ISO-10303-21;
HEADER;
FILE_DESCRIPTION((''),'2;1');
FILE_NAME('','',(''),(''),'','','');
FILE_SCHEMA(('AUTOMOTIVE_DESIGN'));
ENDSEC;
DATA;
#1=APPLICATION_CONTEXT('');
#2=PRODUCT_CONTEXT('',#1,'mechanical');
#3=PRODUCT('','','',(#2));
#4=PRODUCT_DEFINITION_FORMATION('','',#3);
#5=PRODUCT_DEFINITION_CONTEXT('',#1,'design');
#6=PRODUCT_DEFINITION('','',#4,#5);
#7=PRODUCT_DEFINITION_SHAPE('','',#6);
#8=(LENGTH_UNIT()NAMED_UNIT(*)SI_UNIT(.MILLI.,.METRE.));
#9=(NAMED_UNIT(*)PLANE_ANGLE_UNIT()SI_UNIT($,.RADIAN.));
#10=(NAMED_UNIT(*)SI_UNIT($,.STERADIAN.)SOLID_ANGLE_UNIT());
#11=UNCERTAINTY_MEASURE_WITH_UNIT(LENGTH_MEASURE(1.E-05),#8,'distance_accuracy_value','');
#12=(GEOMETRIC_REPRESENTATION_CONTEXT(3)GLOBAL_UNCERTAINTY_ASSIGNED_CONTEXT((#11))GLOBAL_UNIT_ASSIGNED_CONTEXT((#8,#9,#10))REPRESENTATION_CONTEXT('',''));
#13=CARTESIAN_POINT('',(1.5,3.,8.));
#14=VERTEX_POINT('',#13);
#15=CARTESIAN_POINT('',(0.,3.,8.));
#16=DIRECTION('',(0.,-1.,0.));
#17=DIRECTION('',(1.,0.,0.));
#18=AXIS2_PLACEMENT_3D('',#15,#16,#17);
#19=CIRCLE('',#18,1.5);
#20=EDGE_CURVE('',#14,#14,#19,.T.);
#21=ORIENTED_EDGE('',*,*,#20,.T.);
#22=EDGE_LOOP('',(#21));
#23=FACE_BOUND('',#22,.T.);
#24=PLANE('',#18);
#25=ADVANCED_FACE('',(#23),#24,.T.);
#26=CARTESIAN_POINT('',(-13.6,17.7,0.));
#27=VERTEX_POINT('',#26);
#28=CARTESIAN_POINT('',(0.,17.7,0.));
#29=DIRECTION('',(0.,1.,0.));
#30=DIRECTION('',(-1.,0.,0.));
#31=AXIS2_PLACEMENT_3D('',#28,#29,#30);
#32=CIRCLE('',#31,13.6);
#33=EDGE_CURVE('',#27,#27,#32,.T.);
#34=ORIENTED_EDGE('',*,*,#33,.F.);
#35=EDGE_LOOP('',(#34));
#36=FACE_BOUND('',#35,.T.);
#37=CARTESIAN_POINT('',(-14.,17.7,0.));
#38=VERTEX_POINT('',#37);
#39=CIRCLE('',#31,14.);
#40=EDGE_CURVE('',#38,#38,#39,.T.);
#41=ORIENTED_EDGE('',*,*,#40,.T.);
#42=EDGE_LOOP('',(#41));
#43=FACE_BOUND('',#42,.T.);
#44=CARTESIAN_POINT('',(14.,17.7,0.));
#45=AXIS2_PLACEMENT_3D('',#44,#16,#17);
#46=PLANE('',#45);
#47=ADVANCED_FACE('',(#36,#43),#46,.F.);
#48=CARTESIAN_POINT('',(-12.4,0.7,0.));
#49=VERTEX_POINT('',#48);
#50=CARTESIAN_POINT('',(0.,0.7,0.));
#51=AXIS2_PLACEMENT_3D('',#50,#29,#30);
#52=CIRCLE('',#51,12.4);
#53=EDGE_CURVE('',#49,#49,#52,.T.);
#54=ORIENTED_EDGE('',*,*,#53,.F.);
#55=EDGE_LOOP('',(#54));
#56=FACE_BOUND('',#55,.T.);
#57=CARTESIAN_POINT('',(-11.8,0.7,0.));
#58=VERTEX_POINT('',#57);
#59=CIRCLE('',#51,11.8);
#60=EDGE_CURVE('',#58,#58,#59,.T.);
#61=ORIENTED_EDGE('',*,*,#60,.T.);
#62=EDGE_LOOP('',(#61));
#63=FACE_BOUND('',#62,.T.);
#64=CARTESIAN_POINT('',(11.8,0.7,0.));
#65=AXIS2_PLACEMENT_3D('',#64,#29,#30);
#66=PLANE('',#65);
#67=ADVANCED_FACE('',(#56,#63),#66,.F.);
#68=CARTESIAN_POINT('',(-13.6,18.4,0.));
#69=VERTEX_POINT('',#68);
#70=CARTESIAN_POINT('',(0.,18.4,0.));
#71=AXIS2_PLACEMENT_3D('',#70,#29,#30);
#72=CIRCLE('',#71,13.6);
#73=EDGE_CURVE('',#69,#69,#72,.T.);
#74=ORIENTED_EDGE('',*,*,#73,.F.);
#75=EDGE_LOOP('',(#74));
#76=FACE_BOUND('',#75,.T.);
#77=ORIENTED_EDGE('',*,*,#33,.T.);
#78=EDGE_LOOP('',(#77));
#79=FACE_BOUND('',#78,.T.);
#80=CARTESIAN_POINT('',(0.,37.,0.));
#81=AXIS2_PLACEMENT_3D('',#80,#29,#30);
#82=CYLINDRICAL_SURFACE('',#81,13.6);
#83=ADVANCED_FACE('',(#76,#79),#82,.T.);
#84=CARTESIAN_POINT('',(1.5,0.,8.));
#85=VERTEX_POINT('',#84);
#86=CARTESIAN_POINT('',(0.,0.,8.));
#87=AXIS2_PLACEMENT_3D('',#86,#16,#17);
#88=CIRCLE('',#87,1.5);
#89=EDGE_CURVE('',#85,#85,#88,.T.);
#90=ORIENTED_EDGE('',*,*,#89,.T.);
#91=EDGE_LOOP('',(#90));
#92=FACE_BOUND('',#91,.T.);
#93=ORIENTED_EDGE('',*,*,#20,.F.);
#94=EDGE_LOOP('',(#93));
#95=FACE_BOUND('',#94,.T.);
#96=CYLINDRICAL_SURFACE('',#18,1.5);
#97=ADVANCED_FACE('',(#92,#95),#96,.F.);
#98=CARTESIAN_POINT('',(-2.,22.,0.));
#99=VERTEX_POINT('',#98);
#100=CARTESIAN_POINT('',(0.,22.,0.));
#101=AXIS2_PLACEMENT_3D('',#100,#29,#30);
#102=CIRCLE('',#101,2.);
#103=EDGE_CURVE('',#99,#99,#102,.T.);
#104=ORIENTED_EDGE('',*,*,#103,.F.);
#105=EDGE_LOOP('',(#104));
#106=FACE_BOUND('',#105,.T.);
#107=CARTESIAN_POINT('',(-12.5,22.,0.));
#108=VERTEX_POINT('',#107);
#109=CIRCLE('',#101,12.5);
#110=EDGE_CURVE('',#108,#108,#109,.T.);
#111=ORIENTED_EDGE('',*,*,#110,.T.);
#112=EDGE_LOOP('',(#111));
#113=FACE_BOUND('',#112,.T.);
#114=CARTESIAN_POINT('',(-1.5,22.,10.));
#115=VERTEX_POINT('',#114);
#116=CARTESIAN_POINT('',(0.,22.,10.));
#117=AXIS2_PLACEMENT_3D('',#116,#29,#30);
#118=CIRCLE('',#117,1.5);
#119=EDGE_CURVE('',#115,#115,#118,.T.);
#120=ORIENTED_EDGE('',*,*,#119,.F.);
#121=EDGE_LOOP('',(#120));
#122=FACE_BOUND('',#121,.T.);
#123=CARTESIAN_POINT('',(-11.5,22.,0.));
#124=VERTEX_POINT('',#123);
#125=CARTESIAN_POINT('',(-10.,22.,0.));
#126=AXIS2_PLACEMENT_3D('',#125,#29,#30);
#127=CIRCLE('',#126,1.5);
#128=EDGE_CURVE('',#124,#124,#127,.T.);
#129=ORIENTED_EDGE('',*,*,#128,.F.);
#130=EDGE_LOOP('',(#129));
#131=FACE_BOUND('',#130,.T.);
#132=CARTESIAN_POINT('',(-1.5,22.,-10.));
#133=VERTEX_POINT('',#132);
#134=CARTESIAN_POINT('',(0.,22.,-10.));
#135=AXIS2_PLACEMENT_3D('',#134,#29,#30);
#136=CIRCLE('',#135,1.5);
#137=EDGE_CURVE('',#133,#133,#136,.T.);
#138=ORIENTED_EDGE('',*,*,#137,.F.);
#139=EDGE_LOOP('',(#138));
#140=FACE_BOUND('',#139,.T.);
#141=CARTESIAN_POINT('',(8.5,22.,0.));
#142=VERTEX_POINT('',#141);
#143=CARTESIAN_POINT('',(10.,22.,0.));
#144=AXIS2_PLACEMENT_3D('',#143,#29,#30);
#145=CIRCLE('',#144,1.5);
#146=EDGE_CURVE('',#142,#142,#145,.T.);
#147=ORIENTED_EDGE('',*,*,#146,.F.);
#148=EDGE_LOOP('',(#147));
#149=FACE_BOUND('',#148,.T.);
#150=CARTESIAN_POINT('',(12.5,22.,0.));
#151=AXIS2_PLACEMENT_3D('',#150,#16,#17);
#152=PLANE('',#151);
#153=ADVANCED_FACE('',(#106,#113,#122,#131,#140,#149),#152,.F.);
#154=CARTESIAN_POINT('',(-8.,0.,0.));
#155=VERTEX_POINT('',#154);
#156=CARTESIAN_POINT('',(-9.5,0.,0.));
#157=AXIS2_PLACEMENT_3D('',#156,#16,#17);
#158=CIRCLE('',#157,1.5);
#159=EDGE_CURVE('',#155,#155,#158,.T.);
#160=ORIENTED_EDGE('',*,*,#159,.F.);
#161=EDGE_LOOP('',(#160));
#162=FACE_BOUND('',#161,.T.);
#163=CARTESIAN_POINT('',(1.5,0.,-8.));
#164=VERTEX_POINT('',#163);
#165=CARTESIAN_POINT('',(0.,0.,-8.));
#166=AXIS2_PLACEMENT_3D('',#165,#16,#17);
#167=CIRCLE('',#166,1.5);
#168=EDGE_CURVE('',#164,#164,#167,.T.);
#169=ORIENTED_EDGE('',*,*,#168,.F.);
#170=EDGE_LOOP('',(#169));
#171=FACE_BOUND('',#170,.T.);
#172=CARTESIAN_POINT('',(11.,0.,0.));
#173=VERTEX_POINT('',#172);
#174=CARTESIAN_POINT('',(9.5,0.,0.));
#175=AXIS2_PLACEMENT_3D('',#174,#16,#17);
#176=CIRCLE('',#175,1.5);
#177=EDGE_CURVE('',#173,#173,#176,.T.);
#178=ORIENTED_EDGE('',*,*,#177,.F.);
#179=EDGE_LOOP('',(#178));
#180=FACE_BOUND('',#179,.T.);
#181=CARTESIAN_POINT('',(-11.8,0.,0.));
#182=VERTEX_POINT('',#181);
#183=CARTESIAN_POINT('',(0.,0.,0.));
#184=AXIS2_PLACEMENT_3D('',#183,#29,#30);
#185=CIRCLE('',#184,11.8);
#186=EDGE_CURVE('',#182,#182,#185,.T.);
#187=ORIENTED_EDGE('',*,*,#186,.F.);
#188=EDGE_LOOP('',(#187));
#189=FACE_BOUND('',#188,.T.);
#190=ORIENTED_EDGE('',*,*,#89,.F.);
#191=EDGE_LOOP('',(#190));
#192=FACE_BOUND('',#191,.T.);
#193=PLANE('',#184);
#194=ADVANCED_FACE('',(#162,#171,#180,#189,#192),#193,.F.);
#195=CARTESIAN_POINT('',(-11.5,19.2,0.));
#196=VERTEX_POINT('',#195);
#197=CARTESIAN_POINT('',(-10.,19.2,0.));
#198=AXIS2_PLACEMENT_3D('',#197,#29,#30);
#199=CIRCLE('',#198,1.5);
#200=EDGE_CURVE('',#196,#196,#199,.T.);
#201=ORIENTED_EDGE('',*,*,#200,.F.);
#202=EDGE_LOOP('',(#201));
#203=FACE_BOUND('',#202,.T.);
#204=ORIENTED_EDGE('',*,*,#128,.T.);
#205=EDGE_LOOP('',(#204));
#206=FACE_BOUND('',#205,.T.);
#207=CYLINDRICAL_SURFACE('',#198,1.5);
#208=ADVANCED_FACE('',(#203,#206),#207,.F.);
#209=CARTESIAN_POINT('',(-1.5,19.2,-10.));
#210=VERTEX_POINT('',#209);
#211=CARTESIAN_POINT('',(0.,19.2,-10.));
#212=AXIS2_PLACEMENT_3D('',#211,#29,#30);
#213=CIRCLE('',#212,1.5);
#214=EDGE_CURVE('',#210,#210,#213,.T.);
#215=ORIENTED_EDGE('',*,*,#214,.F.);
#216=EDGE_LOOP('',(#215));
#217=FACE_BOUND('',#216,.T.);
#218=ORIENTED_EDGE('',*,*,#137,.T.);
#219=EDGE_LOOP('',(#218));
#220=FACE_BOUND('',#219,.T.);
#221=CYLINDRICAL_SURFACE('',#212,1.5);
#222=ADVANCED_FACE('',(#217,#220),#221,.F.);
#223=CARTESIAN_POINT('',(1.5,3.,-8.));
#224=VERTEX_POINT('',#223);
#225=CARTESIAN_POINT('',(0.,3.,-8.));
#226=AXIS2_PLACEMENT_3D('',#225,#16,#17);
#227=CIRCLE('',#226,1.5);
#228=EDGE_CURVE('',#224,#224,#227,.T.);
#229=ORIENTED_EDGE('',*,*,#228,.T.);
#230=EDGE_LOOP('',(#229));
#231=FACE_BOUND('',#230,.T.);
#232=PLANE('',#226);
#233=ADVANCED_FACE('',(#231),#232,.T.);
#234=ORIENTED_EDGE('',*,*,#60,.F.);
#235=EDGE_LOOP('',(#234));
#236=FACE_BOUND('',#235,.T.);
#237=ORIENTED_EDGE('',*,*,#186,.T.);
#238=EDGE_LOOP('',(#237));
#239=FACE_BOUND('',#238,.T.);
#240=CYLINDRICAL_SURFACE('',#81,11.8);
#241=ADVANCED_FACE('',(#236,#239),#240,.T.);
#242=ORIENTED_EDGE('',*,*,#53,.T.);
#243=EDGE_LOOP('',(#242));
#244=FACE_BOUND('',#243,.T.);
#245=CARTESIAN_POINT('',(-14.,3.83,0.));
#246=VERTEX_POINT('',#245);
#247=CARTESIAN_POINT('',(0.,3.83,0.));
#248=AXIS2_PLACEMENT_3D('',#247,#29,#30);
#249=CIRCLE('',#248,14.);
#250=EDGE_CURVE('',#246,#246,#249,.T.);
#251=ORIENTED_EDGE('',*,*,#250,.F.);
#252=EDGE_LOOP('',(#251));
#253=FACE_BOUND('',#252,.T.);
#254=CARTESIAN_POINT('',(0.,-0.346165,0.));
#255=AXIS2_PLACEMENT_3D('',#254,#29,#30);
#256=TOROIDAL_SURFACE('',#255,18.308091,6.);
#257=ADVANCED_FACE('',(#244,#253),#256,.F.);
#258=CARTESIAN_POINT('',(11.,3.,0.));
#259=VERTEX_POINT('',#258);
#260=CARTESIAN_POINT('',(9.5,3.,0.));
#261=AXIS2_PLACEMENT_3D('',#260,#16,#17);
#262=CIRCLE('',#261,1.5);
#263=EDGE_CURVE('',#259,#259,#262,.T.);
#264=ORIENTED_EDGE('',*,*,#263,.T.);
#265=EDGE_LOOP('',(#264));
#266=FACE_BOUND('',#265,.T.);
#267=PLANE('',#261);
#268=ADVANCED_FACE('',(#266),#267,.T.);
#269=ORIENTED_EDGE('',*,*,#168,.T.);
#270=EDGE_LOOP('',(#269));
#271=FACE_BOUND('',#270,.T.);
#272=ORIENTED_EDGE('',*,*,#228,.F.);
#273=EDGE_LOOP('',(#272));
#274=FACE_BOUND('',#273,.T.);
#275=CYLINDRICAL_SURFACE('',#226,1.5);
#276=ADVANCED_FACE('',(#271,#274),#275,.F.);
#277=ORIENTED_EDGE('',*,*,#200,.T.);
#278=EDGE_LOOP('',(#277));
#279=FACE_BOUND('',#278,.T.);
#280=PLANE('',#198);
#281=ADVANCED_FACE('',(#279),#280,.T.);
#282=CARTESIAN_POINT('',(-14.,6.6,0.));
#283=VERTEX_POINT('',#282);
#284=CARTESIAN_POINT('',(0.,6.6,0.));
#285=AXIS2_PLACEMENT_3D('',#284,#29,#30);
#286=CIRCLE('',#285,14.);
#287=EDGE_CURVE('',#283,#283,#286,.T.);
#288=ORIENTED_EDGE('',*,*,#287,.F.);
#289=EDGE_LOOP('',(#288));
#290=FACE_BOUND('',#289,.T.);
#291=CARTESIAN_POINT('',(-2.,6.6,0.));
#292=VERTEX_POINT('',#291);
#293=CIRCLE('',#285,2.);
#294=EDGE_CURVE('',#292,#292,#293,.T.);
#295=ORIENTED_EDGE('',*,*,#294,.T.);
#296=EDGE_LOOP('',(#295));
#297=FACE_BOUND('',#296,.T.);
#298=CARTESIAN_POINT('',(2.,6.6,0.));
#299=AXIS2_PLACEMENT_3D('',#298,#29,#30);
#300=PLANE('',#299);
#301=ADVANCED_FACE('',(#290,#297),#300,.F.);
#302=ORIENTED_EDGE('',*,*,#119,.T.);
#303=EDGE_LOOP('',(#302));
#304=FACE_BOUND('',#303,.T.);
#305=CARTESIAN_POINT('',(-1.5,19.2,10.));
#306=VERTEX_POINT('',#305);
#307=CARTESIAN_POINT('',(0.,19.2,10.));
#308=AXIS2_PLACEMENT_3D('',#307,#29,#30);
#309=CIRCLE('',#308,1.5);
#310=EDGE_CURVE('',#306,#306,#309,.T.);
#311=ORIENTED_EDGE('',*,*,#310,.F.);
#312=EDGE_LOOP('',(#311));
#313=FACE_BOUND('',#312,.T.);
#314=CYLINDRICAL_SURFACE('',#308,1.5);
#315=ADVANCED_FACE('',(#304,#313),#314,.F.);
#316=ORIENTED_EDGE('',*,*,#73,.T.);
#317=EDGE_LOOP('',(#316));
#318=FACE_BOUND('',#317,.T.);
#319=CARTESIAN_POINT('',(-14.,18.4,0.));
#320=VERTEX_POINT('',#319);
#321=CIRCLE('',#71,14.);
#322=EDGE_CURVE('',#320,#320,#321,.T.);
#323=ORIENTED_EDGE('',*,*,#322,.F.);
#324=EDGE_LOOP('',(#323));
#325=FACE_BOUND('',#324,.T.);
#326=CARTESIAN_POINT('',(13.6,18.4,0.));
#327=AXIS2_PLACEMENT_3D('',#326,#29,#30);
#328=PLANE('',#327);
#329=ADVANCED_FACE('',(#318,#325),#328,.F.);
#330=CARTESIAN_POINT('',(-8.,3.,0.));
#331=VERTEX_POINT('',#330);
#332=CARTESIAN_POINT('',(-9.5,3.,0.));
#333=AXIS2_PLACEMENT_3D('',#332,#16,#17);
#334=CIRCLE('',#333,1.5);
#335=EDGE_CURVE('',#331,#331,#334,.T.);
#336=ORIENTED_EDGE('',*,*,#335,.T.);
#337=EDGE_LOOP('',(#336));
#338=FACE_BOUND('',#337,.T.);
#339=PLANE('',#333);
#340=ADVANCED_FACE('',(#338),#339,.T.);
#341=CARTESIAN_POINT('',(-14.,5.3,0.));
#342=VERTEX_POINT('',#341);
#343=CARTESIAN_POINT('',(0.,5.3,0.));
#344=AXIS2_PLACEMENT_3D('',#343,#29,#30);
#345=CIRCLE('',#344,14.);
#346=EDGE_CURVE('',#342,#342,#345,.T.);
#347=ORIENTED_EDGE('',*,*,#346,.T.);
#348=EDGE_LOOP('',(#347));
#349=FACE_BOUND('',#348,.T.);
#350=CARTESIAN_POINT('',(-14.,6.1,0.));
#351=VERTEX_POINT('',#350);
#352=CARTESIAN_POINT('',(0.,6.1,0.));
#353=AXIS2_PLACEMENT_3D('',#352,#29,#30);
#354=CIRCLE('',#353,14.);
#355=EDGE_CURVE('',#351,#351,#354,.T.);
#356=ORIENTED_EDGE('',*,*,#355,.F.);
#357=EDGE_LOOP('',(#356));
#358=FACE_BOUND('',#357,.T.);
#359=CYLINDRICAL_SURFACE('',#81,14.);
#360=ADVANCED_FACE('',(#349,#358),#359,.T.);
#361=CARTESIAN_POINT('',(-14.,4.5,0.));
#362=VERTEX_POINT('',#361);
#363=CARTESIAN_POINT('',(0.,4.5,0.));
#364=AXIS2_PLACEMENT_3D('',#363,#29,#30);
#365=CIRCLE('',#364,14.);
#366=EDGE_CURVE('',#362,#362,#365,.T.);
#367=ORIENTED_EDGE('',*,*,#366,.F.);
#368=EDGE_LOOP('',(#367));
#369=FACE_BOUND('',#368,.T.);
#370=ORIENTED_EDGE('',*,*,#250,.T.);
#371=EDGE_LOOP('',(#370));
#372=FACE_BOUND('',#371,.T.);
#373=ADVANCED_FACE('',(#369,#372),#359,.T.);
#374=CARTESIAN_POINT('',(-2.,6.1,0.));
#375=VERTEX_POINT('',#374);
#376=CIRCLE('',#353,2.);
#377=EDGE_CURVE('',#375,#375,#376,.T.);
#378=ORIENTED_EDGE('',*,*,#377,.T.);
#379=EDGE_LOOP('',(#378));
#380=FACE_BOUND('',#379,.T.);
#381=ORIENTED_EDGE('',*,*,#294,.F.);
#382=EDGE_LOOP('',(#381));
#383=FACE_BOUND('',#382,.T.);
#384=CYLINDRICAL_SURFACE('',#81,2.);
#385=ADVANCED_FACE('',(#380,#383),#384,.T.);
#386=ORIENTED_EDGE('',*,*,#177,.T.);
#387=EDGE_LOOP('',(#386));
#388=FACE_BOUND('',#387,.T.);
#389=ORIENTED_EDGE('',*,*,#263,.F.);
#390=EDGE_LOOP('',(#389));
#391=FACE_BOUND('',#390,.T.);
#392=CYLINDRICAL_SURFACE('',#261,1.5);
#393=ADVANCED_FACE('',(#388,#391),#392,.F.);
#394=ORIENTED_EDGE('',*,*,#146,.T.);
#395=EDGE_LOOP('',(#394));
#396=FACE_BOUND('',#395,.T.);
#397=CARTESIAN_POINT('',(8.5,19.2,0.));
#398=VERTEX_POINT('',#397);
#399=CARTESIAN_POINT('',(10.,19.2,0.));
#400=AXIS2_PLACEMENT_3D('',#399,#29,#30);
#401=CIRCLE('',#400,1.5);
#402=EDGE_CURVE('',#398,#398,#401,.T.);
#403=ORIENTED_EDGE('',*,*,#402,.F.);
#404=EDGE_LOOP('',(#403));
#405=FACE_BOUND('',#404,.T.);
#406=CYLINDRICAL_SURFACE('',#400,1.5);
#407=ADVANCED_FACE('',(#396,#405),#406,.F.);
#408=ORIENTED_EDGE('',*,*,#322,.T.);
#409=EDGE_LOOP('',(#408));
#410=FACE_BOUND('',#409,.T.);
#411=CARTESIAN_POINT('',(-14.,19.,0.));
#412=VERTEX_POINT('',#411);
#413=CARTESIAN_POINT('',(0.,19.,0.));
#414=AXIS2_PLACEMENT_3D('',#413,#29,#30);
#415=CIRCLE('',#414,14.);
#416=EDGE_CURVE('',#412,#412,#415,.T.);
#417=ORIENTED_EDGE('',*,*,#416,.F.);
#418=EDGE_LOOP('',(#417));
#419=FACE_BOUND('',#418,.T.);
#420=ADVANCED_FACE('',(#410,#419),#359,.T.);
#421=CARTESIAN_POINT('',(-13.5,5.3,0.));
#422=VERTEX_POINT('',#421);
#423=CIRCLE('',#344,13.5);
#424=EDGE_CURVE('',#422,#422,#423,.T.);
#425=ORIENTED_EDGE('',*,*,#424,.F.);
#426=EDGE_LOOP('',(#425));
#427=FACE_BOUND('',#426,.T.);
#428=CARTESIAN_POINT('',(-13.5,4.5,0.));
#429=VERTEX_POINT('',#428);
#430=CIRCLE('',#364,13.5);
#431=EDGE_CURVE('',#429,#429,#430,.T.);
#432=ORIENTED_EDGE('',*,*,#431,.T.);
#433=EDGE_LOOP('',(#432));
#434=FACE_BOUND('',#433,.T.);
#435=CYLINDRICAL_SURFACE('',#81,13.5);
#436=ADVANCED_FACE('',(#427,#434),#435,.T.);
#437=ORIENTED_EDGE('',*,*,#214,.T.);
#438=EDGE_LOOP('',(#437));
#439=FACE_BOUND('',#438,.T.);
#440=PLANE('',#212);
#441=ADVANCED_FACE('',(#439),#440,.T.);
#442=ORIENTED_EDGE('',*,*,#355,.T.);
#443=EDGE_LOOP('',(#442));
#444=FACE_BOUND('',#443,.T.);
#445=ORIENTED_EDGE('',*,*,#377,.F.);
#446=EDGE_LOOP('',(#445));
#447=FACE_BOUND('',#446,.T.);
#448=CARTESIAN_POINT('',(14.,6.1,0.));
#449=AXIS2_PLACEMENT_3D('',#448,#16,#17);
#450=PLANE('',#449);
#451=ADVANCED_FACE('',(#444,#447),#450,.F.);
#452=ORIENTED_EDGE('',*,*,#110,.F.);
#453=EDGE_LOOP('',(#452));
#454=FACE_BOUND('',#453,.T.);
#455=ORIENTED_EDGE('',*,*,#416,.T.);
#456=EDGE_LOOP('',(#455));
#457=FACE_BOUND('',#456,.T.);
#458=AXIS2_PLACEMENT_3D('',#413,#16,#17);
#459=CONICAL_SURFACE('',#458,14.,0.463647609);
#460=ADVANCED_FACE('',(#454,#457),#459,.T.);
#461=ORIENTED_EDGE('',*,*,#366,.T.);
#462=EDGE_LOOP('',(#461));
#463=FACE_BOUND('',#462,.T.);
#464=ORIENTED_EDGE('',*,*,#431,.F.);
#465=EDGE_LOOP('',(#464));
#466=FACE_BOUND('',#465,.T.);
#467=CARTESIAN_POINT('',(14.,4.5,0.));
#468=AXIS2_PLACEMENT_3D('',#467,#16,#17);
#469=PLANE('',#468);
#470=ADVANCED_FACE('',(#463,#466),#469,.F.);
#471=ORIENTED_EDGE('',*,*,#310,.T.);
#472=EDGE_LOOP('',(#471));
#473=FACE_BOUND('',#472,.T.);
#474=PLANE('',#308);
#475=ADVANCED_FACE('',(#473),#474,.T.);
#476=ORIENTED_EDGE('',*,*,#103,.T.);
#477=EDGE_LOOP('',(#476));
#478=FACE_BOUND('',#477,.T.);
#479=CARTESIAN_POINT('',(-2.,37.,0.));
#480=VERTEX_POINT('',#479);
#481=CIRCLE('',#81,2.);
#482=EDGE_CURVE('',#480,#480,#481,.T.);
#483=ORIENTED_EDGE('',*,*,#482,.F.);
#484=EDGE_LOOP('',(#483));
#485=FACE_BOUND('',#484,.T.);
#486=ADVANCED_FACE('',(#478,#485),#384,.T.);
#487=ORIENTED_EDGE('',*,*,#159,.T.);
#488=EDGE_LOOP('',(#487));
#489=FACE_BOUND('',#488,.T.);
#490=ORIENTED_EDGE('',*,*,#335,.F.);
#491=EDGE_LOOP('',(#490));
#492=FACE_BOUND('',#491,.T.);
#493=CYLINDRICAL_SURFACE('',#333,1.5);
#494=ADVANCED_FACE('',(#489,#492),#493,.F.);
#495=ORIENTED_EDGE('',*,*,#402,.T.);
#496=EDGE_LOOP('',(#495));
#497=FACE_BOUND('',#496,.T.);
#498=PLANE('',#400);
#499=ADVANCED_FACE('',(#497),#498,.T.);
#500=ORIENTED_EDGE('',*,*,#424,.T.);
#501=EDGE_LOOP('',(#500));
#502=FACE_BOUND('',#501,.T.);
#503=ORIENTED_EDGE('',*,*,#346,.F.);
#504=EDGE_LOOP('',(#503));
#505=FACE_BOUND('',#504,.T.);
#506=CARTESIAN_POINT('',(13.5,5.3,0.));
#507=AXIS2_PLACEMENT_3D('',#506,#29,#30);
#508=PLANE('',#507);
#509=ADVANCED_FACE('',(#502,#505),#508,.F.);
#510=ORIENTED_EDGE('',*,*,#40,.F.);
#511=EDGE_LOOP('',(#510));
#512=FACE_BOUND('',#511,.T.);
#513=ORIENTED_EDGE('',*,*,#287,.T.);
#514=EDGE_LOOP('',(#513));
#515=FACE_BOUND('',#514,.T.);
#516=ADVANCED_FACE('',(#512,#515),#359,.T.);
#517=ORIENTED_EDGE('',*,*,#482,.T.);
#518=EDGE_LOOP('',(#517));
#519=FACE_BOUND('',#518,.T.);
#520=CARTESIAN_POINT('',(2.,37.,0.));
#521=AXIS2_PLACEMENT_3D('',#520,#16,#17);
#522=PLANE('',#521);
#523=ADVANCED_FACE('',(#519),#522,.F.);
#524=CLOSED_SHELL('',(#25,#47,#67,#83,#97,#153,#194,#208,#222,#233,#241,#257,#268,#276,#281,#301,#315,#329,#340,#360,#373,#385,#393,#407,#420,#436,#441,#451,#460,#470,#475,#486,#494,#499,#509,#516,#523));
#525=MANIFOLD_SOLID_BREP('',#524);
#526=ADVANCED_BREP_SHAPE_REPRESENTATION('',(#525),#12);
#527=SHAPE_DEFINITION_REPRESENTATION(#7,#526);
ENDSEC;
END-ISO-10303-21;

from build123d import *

# Parameters (mm, degrees)
SKETCH2_R          = 1.5
CUT_EXTRUDE1_DEPTH = 3
SKETCH3_R          = 1.5
CUT_EXTRUDE2_DEPTH = 2.8


with BuildPart() as part:
    # Sketch1 → Revolve1 (revolve)
    with BuildSketch(Plane.XY):
        with BuildLine():
            Line((0, 0), (11.8, 0))
            Line((11.8, 0), (11.8, 0.7))
            Line((11.8, 0.7), (12.4, 0.7))
            ThreePointArc((12.4, 0.7), (12.965636633, 2.38480236), (14, 3.83))
            Line((14, 3.83), (14, 4.5))
            Line((14, 4.5), (13.5, 4.5))
            Line((13.5, 4.5), (13.5, 5.3))
            Line((13.5, 5.3), (14, 5.3))
            Line((14, 5.3), (14, 6.1))
            Line((14, 6.1), (2, 6.1))
            Line((2, 6.1), (2, 6.6))
            Line((2, 6.6), (14, 6.6))
            Line((14, 6.6), (14, 17.7))
            Line((14, 17.7), (13.6, 17.7))
            Line((13.6, 17.7), (13.6, 18.4))
            Line((13.6, 18.4), (14, 18.4))
            Line((14, 18.4), (14, 19))
            Line((14, 19), (12.5, 22))
            Line((12.5, 22), (2, 22))
            Line((2, 22), (2, 37))
            Line((2, 37), (0, 37))
            Line((0, 37), (0, 0))
        make_face()
    revolve(axis=Axis((0, 37, 0), (0, -1, 0)))

    # Sketch2 → Cut-Extrude1 (cut)
    with BuildSketch(Plane.XZ):
        with Locations((0, 8)):
            Circle(SKETCH2_R)
        with Locations((9.5, 0)):
            Circle(SKETCH2_R)
        with Locations((0, -8)):
            Circle(SKETCH2_R)
        with Locations((-9.5, 0)):
            Circle(SKETCH2_R)
    extrude(amount=-CUT_EXTRUDE1_DEPTH, mode=Mode.SUBTRACT)

    # Sketch3 → Cut-Extrude2 (cut)
    with BuildSketch(Plane(origin=(0, 22, 0), x_dir=(1, 0, 0), z_dir=(0, 1, 0))):
        with Locations((0, 10)):
            Circle(SKETCH3_R)
        with Locations((10, 0)):
            Circle(SKETCH3_R)
        with Locations((0, -10)):
            Circle(SKETCH3_R)
        with Locations((-10, 0)):
            Circle(SKETCH3_R)
    extrude(amount=-CUT_EXTRUDE2_DEPTH, mode=Mode.SUBTRACT)


solid = part.part
